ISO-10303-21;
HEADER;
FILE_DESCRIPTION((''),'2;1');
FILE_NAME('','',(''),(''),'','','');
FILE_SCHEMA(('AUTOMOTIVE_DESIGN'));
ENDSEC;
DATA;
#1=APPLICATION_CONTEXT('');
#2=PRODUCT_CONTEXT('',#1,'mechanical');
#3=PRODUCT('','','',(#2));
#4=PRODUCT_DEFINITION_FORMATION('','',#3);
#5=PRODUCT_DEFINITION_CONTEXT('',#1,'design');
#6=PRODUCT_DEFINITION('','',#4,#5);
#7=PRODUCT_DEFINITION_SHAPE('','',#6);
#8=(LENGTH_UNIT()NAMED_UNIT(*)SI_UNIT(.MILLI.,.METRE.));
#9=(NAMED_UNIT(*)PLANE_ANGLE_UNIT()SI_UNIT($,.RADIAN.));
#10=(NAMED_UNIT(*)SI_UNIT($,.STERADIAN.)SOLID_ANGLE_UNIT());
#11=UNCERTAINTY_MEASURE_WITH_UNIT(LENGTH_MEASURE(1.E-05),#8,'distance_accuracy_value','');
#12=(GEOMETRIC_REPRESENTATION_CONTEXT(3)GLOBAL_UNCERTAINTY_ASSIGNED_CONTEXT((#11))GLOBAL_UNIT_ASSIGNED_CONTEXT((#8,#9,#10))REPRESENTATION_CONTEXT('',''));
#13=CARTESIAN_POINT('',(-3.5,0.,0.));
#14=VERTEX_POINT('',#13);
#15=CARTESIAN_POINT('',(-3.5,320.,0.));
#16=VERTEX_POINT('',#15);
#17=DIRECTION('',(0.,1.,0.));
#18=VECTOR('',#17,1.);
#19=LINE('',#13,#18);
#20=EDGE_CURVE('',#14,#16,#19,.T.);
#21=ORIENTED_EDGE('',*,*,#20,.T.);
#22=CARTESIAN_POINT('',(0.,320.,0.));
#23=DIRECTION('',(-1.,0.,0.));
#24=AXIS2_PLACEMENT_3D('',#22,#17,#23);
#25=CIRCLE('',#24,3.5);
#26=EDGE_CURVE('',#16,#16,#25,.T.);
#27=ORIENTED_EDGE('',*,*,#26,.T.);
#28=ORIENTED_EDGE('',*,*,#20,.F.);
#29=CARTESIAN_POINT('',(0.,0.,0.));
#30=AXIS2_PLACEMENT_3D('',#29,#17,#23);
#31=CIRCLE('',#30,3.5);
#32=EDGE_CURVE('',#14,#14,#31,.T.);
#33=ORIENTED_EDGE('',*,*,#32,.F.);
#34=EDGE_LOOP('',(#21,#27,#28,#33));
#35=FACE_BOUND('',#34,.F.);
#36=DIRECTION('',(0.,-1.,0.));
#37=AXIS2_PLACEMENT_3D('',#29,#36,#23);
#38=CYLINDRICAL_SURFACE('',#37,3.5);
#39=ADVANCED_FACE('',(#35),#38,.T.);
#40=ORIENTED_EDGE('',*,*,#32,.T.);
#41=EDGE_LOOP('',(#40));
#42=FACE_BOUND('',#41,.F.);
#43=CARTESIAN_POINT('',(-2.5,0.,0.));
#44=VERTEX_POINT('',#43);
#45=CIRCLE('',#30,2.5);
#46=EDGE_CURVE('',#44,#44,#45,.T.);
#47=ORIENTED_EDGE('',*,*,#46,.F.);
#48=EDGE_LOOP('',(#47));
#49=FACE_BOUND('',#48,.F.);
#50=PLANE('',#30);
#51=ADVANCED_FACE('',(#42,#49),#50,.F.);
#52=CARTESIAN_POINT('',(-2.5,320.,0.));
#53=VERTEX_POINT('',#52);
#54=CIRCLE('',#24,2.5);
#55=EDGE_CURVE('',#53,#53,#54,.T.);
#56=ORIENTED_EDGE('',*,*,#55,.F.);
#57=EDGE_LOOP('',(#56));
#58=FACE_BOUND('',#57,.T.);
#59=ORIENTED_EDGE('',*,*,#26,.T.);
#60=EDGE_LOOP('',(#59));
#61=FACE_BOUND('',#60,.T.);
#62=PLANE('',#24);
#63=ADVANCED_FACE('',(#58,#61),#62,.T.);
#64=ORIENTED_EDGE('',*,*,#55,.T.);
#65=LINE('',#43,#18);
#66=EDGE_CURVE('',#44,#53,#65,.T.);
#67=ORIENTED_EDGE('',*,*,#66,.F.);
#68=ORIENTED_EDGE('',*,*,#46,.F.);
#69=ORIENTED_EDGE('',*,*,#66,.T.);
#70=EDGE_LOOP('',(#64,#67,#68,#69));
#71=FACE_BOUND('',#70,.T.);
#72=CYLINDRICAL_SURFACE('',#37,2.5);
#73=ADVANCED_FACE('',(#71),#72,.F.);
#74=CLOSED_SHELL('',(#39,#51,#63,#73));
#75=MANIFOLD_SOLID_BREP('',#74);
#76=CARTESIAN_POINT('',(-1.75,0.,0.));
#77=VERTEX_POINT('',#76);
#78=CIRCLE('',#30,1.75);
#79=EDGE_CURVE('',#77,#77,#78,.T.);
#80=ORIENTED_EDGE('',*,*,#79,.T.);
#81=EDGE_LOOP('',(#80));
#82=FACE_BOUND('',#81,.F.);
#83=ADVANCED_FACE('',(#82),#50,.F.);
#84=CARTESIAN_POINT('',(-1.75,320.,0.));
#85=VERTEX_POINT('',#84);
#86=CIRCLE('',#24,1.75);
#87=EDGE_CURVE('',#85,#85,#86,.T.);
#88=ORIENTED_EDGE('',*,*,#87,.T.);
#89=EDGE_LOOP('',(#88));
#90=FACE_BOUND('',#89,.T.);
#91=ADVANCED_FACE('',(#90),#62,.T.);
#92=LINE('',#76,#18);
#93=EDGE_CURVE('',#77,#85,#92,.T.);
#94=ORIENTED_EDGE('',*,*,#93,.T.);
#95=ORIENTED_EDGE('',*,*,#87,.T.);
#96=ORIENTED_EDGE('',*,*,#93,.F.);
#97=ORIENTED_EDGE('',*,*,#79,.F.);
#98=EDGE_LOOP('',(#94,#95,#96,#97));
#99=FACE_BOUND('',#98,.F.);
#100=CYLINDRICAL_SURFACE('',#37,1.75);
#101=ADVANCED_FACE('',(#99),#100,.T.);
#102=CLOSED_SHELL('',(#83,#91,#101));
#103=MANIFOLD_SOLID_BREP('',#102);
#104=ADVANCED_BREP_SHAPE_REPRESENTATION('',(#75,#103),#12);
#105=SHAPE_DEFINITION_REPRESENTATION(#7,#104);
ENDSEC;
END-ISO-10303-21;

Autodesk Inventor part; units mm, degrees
ref_plane "YZ Plane" through (0, 0, 0) normal (1, 0, 0) x (0, 1, 0)
ref_plane "XZ Plane" through (0, 0, 0) normal (0, 1, 0) x (-1, 0, 0)
ref_plane "XY Plane" through (0, 0, 0) normal (0, 0, 1) x (1, 0, 0)
sketch "Эскиз1" plane through (0, 0, 0) normal (0, 1, 0) x (-1, 0, 0)
  circle A0 centre (0, 0) radius 3.5
  circle A1 centre (0, 0) radius 2.5
  circle A2 centre (0, 0) radius 1.75
  dimension "d0" = 7
  dimension "d1" = 5
  dimension "d2" = 3.5
extrude "Выдавливание1" add sketch "Эскиз1" along normal blind 320 contours A2
extrude "Выдавливание2" add sketch "Эскиз1" along normal blind 320 contours A0
properties part number "wire_A"
